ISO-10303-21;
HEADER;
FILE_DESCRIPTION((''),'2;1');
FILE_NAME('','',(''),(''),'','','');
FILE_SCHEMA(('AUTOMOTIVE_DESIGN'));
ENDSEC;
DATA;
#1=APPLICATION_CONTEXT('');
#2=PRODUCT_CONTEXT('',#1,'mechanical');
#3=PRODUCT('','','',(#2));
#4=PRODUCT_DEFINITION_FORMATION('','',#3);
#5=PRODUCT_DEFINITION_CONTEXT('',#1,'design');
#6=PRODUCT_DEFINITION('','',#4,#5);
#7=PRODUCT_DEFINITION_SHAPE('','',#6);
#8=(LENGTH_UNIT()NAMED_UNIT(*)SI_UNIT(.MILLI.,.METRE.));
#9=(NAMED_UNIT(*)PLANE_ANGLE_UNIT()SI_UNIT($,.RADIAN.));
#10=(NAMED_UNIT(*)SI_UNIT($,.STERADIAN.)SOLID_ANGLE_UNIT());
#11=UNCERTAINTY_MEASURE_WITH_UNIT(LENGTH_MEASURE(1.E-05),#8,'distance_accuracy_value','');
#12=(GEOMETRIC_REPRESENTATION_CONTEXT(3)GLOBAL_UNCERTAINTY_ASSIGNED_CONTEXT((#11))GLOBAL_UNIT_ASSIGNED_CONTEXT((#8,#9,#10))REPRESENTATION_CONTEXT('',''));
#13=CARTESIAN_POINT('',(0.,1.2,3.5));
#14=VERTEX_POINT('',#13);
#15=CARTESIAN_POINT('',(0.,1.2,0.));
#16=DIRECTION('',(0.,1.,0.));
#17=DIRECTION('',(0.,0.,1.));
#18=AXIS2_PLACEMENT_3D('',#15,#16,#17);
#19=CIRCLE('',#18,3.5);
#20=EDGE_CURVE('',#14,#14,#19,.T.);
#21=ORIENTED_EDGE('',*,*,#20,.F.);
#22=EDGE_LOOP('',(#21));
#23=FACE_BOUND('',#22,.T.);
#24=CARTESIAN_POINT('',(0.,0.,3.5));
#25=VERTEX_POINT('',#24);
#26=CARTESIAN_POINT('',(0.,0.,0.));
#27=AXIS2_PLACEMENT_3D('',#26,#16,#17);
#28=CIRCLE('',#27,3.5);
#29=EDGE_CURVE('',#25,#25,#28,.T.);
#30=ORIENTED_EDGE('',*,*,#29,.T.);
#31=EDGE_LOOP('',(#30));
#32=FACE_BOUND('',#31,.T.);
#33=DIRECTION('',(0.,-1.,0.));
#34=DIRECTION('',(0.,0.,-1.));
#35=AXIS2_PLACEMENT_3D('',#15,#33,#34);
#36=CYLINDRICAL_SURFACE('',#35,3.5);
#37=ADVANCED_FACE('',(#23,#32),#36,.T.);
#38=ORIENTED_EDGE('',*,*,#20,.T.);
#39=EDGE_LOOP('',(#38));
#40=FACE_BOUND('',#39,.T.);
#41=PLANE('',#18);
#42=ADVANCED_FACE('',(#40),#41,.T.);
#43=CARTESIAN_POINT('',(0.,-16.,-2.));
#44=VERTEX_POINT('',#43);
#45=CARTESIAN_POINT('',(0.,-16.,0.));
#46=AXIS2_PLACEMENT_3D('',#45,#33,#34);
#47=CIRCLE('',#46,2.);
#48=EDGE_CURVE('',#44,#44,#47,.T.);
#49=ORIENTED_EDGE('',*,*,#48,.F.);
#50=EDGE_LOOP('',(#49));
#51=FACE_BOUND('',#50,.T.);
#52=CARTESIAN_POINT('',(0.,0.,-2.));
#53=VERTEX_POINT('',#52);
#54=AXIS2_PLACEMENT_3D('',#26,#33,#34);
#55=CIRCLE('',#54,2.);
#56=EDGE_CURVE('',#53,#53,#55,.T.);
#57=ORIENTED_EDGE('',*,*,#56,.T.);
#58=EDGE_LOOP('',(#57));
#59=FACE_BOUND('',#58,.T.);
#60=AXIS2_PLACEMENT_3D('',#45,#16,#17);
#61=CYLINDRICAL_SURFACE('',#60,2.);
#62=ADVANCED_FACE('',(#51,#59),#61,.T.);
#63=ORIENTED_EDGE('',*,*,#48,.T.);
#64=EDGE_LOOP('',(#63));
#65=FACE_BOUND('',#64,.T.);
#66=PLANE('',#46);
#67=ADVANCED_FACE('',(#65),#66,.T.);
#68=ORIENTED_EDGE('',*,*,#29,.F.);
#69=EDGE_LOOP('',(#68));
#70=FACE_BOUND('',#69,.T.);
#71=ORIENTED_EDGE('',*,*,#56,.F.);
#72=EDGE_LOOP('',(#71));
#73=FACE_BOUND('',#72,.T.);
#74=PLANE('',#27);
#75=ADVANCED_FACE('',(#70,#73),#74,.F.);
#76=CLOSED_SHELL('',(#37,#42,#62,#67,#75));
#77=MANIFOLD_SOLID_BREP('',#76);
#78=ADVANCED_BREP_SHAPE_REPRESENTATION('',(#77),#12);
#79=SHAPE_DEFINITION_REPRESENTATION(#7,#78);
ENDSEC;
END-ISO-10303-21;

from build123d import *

# Parameters (mm, degrees)
SKETCH_1_R      = 3.5
EXTRUDE_1_DEPTH = 1.2
SKETCH_2_R      = 2
EXTRUDE_2_DEPTH = 16


with BuildPart() as part:
    # 草图1 → 凸台-拉伸1 (new body)
    with BuildSketch(Plane(origin=(0, 0, 0), x_dir=(1, 0, 0), z_dir=(0, 1, 0))):
        with Locations(Location((0, 0, 0), (0, 0, 270))):
            Circle(SKETCH_1_R)
    extrude(amount=EXTRUDE_1_DEPTH)

    # 草图2 → 凸台-拉伸2 (add)
    with BuildSketch(Plane.XZ):
        with Locations(Location((0, 0, 0), (0, 0, 270))):
            Circle(SKETCH_2_R)
    extrude(amount=EXTRUDE_2_DEPTH)


solid = part.part
